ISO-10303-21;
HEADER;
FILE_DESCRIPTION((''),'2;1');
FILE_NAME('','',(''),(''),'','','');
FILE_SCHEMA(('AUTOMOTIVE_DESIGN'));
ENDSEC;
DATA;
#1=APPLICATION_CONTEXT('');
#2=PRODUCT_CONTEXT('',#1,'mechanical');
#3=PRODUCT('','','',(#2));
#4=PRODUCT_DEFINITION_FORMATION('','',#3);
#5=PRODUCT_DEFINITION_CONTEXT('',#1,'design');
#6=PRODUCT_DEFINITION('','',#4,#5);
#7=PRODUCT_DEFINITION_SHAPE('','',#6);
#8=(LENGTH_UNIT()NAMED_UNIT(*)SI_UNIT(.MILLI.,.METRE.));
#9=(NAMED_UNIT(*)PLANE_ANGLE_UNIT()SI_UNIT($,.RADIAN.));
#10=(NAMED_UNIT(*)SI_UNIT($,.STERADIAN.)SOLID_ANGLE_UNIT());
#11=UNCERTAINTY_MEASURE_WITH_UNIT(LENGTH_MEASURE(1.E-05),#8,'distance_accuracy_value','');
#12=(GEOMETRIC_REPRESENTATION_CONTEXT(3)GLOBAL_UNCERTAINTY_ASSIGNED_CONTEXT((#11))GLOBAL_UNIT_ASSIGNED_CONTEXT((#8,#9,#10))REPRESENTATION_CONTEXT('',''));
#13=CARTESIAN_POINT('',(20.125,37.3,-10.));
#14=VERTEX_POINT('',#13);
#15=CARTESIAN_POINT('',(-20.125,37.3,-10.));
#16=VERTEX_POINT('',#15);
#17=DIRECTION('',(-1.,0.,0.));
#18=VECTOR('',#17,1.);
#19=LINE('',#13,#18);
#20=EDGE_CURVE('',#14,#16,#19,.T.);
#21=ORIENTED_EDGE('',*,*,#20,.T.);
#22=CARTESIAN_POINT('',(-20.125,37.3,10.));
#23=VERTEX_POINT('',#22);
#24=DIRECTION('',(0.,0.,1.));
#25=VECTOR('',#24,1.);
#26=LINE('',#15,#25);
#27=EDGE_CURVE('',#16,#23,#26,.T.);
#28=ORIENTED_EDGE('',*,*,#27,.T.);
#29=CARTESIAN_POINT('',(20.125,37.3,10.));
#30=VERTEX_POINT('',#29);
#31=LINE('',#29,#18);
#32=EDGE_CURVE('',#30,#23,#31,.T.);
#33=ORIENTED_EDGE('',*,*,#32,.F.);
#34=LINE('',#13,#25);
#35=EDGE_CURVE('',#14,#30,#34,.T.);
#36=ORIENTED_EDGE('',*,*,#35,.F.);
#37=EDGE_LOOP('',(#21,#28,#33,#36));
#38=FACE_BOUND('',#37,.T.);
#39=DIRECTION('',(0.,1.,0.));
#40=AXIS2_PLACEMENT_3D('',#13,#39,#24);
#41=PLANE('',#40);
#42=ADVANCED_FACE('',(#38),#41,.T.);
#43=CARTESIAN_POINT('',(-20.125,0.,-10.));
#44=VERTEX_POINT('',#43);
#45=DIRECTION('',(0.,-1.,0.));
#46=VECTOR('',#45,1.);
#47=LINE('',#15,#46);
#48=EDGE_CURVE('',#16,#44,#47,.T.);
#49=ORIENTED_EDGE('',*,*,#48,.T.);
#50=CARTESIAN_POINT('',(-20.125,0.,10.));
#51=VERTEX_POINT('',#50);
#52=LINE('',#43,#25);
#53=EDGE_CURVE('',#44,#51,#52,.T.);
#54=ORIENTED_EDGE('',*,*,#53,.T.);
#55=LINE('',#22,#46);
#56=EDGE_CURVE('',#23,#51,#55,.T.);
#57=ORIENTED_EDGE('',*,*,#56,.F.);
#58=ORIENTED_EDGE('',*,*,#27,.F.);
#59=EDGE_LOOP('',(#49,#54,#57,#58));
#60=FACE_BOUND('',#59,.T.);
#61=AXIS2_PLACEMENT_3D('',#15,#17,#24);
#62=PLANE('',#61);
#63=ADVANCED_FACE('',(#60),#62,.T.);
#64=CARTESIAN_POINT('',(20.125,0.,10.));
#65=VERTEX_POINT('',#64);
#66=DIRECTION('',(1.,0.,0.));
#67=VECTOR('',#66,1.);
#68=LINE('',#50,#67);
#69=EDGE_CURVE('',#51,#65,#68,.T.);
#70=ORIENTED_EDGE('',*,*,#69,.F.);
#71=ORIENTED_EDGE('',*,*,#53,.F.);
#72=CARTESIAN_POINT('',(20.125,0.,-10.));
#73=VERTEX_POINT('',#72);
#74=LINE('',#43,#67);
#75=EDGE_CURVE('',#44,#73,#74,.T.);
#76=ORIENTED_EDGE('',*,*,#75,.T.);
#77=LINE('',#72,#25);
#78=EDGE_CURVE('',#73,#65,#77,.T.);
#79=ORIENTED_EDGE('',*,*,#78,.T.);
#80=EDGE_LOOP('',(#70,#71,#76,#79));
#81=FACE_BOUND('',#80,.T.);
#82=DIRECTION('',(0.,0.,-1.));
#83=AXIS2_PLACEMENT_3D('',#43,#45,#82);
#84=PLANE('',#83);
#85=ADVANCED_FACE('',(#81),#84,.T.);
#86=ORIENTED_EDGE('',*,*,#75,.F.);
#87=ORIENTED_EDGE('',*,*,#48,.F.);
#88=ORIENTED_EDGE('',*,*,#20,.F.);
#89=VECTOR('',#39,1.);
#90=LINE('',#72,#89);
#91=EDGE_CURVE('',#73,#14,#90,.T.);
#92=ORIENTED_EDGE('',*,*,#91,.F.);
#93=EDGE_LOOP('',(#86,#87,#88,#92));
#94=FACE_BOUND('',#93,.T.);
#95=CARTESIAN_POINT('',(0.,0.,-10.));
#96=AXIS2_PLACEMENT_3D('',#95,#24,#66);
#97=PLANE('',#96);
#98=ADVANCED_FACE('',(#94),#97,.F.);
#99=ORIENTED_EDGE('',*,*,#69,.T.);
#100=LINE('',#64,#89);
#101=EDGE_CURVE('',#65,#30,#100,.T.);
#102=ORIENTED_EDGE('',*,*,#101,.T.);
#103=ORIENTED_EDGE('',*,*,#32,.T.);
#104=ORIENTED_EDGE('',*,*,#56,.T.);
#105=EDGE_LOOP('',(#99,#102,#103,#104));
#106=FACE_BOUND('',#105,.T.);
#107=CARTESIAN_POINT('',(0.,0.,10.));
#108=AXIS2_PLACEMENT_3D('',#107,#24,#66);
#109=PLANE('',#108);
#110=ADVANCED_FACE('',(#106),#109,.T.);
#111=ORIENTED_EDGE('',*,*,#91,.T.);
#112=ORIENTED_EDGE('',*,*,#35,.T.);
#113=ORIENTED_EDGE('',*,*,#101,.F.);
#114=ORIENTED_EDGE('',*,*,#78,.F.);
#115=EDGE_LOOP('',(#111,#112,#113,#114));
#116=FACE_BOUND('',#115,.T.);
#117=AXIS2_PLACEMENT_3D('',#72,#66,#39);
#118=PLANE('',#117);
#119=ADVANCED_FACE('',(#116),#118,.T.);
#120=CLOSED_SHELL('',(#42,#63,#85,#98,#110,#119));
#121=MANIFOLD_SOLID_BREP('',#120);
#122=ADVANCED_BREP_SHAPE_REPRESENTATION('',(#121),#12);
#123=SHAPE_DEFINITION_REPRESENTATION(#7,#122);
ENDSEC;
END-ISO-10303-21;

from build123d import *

# Parameters (mm, degrees)
SKETCH1_W           = 40.25
SKETCH1_H           = 37.3
BOSS_EXTRUDE1_DEPTH = 20


with BuildPart() as part:
    # Sketch1 → Boss-Extrude1 (new body)
    with BuildSketch(Plane.XY.offset(10)):
        with Locations((0, 18.65)):
            Rectangle(SKETCH1_W, SKETCH1_H)
    extrude(amount=-BOSS_EXTRUDE1_DEPTH)


solid = part.part
